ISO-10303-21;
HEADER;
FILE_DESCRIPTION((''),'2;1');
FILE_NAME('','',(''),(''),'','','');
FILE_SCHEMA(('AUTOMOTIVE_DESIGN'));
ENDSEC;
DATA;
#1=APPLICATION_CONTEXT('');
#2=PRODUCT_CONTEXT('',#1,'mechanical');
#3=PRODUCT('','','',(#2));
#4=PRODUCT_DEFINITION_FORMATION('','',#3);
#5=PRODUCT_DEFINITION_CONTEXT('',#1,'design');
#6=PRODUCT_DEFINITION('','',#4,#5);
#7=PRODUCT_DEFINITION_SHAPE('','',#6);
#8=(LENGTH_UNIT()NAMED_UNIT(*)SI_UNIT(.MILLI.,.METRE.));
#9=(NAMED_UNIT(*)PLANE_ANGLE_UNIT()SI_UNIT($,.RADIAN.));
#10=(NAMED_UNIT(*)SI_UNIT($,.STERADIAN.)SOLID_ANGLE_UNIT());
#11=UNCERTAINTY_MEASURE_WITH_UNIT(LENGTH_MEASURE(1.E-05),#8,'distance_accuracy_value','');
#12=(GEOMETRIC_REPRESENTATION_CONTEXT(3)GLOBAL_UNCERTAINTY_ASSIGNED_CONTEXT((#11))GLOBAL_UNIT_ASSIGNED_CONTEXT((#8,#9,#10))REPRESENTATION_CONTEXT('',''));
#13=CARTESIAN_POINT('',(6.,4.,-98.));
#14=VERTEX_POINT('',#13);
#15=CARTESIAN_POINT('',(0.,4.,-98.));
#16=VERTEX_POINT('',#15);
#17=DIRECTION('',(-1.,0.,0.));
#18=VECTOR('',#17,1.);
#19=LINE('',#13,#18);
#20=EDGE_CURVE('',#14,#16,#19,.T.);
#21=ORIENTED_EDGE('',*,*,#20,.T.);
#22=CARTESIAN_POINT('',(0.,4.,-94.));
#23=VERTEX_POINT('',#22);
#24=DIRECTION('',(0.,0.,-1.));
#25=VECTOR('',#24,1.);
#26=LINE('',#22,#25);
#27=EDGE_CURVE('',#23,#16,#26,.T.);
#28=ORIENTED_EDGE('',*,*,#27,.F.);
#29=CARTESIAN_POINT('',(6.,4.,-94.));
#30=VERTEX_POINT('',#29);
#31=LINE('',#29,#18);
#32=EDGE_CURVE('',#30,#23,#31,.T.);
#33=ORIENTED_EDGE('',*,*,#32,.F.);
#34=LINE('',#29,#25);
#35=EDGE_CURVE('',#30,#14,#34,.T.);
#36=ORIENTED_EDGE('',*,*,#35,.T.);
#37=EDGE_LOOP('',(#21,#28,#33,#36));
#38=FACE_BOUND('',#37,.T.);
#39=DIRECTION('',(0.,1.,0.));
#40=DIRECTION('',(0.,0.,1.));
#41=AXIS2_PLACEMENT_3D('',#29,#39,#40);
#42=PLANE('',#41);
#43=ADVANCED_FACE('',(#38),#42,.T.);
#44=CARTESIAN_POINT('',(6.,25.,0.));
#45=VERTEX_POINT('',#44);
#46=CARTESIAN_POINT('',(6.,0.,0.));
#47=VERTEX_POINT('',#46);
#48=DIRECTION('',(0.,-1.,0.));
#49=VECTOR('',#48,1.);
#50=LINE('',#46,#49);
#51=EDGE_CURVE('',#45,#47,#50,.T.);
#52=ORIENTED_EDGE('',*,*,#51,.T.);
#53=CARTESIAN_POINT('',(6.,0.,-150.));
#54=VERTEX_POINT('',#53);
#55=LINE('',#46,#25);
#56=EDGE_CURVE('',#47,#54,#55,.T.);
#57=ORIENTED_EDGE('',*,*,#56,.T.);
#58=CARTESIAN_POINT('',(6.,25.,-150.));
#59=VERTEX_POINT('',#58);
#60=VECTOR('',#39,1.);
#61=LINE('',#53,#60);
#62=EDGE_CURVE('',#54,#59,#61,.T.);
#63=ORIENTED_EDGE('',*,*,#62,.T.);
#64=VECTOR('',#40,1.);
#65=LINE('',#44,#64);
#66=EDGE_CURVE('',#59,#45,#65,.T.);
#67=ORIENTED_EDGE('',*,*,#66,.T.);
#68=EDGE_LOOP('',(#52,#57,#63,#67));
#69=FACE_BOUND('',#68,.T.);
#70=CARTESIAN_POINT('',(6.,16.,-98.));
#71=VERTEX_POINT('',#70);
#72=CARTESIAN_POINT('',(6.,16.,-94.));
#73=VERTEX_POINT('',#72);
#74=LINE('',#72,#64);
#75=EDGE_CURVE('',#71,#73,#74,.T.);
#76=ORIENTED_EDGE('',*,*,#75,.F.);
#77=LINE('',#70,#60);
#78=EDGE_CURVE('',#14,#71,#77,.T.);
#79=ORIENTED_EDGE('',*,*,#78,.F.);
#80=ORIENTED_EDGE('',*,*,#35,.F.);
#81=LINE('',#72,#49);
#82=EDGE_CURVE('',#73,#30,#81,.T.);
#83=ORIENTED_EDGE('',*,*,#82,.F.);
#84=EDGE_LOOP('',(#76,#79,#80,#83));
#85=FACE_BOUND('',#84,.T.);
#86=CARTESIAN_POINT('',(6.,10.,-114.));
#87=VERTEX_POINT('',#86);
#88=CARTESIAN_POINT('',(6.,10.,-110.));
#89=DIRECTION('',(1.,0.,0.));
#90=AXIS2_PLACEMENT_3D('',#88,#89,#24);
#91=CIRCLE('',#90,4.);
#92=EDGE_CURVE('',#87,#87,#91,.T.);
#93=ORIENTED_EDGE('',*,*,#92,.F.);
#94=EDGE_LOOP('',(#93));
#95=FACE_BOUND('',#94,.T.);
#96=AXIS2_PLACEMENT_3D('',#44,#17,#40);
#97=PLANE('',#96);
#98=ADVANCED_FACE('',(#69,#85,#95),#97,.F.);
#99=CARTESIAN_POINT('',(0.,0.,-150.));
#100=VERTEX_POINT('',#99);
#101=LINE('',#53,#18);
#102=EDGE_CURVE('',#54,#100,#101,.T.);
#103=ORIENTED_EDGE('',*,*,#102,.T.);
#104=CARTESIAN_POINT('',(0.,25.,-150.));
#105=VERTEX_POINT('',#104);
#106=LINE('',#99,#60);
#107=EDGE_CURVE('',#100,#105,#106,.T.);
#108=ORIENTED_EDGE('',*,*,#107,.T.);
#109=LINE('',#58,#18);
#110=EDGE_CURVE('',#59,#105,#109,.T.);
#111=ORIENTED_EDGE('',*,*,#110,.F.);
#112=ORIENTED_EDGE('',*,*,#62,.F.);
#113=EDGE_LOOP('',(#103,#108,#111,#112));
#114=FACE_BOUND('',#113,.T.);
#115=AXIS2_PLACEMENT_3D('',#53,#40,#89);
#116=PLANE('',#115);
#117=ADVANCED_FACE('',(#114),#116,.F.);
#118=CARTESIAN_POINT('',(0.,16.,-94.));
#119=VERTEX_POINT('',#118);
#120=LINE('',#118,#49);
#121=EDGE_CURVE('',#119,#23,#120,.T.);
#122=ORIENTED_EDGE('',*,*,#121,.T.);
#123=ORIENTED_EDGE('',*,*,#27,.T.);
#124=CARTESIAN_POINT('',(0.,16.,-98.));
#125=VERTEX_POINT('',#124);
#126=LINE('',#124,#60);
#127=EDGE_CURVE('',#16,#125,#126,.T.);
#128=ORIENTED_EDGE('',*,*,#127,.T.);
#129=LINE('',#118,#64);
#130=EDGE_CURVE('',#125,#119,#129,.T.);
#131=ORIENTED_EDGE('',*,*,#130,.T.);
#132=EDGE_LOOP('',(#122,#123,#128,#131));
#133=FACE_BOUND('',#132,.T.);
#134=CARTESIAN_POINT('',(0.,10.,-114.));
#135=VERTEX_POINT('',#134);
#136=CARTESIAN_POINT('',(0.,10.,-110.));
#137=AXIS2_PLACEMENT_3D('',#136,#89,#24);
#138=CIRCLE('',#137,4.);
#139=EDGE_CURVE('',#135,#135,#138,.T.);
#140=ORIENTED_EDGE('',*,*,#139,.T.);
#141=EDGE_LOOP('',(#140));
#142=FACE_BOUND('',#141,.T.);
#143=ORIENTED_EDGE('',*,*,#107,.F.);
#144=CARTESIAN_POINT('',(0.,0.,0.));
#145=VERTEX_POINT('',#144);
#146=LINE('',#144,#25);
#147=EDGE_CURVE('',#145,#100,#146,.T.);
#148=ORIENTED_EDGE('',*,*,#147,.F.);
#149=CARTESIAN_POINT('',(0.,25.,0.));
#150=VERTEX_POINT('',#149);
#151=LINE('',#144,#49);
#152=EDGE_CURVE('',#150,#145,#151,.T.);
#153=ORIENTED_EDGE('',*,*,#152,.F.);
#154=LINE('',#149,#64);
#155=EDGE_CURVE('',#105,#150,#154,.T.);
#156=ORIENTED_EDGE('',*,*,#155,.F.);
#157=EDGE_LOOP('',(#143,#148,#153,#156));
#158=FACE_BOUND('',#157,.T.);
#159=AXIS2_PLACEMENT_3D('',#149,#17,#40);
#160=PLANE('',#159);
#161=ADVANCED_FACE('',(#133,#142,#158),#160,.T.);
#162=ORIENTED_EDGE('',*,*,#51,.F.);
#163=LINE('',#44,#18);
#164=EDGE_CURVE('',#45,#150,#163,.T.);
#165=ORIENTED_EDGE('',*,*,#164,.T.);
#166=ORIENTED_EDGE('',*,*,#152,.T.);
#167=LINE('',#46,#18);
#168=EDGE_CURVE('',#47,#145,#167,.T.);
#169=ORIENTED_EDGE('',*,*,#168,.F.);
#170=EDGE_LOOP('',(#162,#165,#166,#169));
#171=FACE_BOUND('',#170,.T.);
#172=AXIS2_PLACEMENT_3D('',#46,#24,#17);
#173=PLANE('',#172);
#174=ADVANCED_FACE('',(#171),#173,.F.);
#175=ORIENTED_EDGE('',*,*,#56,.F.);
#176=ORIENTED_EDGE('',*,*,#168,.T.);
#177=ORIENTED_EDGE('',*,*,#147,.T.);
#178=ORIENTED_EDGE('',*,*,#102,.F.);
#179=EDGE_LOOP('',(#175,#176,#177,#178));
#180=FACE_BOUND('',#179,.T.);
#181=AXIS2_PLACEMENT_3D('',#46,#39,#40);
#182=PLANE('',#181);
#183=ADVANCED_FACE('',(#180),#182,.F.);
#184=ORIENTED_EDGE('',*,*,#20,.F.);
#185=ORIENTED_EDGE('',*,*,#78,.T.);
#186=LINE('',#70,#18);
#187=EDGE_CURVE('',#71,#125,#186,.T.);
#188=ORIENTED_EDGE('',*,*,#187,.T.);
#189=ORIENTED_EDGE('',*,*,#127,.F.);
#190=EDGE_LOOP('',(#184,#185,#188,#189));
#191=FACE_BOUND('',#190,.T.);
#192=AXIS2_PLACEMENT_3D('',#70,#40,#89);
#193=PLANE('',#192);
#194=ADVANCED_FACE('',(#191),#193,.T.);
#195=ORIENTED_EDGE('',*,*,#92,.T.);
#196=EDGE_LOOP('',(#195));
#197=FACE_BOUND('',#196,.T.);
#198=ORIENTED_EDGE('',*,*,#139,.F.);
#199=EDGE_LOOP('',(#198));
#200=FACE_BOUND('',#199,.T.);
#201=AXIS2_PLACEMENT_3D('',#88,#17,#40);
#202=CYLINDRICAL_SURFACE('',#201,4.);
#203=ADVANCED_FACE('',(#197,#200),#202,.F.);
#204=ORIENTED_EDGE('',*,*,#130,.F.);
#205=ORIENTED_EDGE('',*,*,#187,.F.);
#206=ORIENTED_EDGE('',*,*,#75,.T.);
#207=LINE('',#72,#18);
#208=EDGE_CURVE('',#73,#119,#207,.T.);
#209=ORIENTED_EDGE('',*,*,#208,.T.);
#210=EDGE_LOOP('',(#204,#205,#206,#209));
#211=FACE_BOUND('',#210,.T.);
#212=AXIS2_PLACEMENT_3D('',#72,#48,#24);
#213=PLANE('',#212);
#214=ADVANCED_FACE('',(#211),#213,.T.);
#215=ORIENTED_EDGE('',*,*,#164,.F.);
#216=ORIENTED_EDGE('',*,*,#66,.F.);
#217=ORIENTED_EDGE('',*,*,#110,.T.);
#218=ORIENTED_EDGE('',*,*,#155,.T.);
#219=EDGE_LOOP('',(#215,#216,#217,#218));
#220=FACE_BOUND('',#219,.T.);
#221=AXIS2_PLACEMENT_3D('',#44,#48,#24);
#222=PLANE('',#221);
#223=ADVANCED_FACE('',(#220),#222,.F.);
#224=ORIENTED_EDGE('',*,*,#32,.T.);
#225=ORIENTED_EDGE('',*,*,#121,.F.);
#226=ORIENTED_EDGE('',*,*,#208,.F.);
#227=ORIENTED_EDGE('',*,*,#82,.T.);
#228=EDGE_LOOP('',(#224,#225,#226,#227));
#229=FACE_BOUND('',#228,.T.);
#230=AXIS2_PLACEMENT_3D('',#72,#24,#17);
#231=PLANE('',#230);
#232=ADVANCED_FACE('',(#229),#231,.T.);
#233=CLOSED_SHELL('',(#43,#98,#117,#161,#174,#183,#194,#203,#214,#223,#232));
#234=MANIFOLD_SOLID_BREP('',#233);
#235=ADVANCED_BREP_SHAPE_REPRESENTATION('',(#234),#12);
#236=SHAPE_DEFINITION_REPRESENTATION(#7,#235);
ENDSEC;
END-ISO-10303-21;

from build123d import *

# Parameters (mm, degrees)
SKETCH1_W           = 150
SKETCH1_H           = 25
SKETCH1_R           = 4
SKETCH1_W_2         = 4
SKETCH1_H_2         = 12
BOSS_EXTRUDE1_DEPTH = 6


with BuildPart() as part:
    # Sketch1 → Boss-Extrude1 (new body)
    with BuildSketch(Plane(origin=(0, 0, 0), x_dir=(0, 0, -1), z_dir=(1, 0, 0))):
        with Locations((75, 12.5)):
            Rectangle(SKETCH1_W, SKETCH1_H)
        with Locations((110, 10)):
            Circle(SKETCH1_R, mode=Mode.SUBTRACT)
        with Locations((96, 10)):
            Rectangle(SKETCH1_W_2, SKETCH1_H_2, mode=Mode.SUBTRACT)
    extrude(amount=BOSS_EXTRUDE1_DEPTH)


solid = part.part
